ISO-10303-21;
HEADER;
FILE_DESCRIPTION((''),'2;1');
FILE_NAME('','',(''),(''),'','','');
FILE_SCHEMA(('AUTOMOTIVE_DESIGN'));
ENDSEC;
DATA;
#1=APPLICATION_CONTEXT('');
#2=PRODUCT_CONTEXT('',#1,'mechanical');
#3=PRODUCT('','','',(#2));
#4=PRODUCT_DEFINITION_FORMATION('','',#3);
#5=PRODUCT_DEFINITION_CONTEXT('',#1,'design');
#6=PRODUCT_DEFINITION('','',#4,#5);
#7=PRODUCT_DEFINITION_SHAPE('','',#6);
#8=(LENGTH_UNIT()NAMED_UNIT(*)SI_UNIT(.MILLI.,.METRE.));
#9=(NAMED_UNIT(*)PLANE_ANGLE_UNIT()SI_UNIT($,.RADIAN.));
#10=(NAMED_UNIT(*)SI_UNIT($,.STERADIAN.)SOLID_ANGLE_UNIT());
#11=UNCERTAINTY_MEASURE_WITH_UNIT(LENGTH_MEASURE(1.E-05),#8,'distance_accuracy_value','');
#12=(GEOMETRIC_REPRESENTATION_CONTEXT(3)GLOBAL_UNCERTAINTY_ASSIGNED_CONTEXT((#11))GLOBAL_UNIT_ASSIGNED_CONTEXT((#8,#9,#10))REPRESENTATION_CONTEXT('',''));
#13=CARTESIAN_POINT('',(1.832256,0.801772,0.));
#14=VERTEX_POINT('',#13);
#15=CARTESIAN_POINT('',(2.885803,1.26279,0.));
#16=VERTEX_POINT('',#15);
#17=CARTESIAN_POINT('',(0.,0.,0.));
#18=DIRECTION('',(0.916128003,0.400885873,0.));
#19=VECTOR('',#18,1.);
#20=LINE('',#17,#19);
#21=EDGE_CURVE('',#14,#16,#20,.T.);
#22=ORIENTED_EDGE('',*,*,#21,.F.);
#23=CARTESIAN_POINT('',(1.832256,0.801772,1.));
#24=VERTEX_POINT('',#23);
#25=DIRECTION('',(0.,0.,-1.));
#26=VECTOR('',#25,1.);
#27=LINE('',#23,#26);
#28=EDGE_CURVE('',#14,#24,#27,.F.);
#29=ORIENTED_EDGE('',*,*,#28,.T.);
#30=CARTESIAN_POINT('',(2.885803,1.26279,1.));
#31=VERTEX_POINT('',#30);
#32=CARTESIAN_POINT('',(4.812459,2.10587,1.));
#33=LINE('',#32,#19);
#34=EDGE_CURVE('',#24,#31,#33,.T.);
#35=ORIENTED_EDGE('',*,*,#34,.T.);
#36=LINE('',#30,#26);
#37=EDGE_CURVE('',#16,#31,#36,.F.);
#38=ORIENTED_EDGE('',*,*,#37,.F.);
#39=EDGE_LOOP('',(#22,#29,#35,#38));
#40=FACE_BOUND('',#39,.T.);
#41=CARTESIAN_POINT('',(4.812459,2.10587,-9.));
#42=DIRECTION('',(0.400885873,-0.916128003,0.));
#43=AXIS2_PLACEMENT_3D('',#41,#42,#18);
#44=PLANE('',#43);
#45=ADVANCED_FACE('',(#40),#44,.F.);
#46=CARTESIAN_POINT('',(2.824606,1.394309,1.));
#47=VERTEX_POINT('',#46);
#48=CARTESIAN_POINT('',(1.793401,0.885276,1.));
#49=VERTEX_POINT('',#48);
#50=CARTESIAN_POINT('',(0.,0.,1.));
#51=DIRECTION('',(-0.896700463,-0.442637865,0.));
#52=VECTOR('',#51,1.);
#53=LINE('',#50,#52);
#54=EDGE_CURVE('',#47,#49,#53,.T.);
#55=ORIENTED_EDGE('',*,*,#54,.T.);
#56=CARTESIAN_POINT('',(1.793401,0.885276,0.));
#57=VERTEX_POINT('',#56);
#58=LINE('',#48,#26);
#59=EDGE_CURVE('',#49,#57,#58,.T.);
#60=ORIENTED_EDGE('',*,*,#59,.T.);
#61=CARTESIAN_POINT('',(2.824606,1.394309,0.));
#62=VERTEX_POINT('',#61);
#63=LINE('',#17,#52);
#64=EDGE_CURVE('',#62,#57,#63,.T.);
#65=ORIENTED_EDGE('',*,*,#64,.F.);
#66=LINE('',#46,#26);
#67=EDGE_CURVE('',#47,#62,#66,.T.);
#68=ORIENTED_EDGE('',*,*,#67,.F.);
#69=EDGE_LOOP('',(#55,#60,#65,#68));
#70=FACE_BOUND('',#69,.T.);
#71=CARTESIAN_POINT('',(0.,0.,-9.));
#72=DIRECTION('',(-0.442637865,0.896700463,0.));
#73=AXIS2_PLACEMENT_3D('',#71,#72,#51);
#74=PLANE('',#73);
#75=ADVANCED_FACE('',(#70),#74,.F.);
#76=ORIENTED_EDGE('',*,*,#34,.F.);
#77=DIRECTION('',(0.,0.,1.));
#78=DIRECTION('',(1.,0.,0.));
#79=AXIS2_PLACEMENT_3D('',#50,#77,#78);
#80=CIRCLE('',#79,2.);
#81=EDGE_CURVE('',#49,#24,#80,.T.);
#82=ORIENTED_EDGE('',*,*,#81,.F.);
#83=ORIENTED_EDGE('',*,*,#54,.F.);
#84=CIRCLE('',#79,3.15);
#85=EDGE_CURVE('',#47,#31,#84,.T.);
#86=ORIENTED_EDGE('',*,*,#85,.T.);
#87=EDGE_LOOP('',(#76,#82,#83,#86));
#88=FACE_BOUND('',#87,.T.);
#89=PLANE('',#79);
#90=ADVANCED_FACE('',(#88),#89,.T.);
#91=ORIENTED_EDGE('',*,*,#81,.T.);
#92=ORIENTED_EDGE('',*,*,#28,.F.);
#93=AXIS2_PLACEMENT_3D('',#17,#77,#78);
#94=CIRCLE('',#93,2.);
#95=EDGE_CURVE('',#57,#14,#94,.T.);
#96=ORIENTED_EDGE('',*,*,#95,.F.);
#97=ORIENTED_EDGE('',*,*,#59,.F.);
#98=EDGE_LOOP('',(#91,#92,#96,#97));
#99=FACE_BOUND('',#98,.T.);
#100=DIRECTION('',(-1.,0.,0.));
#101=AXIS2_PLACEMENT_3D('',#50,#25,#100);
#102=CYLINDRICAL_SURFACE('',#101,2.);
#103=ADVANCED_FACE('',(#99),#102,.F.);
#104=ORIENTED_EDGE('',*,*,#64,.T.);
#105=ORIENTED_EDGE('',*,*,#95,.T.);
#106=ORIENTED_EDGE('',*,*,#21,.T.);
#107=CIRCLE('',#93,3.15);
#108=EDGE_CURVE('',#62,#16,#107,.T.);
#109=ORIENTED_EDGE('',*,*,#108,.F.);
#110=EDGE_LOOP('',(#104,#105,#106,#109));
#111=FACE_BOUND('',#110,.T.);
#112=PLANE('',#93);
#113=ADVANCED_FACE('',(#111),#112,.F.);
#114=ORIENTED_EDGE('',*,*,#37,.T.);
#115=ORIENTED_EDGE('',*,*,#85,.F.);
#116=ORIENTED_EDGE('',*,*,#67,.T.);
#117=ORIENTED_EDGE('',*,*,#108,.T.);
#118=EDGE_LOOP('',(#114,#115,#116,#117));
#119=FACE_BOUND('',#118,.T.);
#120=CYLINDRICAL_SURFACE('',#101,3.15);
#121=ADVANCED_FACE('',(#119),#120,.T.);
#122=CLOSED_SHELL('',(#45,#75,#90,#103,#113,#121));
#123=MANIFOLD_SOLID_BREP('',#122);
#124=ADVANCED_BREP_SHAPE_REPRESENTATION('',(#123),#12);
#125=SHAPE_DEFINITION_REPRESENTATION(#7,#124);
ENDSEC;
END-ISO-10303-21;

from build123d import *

# Parameters (mm, degrees)
SKETCH_1_R          = 3.15
SKETCH_1_R_2        = 2
EXTRUDE_1_DEPTH     = 1
CUT_EXTRUDE_1_DEPTH = 10


with BuildPart() as part:
    # 草图1 → 凸台-拉伸1 (new body)
    with BuildSketch(Plane.XY):
        Circle(SKETCH_1_R)
        Circle(SKETCH_1_R_2, mode=Mode.SUBTRACT)
    extrude(amount=EXTRUDE_1_DEPTH)

    # 草图2 → 切除-拉伸1 (cut)
    with BuildSketch(Plane.XY.offset(1)):
        Polygon((0, 0), (4.812459265, 2.375572201), (4.812459265, 2.105870497), align=None)
    extrude(amount=-CUT_EXTRUDE_1_DEPTH, mode=Mode.SUBTRACT)


solid = part.part
